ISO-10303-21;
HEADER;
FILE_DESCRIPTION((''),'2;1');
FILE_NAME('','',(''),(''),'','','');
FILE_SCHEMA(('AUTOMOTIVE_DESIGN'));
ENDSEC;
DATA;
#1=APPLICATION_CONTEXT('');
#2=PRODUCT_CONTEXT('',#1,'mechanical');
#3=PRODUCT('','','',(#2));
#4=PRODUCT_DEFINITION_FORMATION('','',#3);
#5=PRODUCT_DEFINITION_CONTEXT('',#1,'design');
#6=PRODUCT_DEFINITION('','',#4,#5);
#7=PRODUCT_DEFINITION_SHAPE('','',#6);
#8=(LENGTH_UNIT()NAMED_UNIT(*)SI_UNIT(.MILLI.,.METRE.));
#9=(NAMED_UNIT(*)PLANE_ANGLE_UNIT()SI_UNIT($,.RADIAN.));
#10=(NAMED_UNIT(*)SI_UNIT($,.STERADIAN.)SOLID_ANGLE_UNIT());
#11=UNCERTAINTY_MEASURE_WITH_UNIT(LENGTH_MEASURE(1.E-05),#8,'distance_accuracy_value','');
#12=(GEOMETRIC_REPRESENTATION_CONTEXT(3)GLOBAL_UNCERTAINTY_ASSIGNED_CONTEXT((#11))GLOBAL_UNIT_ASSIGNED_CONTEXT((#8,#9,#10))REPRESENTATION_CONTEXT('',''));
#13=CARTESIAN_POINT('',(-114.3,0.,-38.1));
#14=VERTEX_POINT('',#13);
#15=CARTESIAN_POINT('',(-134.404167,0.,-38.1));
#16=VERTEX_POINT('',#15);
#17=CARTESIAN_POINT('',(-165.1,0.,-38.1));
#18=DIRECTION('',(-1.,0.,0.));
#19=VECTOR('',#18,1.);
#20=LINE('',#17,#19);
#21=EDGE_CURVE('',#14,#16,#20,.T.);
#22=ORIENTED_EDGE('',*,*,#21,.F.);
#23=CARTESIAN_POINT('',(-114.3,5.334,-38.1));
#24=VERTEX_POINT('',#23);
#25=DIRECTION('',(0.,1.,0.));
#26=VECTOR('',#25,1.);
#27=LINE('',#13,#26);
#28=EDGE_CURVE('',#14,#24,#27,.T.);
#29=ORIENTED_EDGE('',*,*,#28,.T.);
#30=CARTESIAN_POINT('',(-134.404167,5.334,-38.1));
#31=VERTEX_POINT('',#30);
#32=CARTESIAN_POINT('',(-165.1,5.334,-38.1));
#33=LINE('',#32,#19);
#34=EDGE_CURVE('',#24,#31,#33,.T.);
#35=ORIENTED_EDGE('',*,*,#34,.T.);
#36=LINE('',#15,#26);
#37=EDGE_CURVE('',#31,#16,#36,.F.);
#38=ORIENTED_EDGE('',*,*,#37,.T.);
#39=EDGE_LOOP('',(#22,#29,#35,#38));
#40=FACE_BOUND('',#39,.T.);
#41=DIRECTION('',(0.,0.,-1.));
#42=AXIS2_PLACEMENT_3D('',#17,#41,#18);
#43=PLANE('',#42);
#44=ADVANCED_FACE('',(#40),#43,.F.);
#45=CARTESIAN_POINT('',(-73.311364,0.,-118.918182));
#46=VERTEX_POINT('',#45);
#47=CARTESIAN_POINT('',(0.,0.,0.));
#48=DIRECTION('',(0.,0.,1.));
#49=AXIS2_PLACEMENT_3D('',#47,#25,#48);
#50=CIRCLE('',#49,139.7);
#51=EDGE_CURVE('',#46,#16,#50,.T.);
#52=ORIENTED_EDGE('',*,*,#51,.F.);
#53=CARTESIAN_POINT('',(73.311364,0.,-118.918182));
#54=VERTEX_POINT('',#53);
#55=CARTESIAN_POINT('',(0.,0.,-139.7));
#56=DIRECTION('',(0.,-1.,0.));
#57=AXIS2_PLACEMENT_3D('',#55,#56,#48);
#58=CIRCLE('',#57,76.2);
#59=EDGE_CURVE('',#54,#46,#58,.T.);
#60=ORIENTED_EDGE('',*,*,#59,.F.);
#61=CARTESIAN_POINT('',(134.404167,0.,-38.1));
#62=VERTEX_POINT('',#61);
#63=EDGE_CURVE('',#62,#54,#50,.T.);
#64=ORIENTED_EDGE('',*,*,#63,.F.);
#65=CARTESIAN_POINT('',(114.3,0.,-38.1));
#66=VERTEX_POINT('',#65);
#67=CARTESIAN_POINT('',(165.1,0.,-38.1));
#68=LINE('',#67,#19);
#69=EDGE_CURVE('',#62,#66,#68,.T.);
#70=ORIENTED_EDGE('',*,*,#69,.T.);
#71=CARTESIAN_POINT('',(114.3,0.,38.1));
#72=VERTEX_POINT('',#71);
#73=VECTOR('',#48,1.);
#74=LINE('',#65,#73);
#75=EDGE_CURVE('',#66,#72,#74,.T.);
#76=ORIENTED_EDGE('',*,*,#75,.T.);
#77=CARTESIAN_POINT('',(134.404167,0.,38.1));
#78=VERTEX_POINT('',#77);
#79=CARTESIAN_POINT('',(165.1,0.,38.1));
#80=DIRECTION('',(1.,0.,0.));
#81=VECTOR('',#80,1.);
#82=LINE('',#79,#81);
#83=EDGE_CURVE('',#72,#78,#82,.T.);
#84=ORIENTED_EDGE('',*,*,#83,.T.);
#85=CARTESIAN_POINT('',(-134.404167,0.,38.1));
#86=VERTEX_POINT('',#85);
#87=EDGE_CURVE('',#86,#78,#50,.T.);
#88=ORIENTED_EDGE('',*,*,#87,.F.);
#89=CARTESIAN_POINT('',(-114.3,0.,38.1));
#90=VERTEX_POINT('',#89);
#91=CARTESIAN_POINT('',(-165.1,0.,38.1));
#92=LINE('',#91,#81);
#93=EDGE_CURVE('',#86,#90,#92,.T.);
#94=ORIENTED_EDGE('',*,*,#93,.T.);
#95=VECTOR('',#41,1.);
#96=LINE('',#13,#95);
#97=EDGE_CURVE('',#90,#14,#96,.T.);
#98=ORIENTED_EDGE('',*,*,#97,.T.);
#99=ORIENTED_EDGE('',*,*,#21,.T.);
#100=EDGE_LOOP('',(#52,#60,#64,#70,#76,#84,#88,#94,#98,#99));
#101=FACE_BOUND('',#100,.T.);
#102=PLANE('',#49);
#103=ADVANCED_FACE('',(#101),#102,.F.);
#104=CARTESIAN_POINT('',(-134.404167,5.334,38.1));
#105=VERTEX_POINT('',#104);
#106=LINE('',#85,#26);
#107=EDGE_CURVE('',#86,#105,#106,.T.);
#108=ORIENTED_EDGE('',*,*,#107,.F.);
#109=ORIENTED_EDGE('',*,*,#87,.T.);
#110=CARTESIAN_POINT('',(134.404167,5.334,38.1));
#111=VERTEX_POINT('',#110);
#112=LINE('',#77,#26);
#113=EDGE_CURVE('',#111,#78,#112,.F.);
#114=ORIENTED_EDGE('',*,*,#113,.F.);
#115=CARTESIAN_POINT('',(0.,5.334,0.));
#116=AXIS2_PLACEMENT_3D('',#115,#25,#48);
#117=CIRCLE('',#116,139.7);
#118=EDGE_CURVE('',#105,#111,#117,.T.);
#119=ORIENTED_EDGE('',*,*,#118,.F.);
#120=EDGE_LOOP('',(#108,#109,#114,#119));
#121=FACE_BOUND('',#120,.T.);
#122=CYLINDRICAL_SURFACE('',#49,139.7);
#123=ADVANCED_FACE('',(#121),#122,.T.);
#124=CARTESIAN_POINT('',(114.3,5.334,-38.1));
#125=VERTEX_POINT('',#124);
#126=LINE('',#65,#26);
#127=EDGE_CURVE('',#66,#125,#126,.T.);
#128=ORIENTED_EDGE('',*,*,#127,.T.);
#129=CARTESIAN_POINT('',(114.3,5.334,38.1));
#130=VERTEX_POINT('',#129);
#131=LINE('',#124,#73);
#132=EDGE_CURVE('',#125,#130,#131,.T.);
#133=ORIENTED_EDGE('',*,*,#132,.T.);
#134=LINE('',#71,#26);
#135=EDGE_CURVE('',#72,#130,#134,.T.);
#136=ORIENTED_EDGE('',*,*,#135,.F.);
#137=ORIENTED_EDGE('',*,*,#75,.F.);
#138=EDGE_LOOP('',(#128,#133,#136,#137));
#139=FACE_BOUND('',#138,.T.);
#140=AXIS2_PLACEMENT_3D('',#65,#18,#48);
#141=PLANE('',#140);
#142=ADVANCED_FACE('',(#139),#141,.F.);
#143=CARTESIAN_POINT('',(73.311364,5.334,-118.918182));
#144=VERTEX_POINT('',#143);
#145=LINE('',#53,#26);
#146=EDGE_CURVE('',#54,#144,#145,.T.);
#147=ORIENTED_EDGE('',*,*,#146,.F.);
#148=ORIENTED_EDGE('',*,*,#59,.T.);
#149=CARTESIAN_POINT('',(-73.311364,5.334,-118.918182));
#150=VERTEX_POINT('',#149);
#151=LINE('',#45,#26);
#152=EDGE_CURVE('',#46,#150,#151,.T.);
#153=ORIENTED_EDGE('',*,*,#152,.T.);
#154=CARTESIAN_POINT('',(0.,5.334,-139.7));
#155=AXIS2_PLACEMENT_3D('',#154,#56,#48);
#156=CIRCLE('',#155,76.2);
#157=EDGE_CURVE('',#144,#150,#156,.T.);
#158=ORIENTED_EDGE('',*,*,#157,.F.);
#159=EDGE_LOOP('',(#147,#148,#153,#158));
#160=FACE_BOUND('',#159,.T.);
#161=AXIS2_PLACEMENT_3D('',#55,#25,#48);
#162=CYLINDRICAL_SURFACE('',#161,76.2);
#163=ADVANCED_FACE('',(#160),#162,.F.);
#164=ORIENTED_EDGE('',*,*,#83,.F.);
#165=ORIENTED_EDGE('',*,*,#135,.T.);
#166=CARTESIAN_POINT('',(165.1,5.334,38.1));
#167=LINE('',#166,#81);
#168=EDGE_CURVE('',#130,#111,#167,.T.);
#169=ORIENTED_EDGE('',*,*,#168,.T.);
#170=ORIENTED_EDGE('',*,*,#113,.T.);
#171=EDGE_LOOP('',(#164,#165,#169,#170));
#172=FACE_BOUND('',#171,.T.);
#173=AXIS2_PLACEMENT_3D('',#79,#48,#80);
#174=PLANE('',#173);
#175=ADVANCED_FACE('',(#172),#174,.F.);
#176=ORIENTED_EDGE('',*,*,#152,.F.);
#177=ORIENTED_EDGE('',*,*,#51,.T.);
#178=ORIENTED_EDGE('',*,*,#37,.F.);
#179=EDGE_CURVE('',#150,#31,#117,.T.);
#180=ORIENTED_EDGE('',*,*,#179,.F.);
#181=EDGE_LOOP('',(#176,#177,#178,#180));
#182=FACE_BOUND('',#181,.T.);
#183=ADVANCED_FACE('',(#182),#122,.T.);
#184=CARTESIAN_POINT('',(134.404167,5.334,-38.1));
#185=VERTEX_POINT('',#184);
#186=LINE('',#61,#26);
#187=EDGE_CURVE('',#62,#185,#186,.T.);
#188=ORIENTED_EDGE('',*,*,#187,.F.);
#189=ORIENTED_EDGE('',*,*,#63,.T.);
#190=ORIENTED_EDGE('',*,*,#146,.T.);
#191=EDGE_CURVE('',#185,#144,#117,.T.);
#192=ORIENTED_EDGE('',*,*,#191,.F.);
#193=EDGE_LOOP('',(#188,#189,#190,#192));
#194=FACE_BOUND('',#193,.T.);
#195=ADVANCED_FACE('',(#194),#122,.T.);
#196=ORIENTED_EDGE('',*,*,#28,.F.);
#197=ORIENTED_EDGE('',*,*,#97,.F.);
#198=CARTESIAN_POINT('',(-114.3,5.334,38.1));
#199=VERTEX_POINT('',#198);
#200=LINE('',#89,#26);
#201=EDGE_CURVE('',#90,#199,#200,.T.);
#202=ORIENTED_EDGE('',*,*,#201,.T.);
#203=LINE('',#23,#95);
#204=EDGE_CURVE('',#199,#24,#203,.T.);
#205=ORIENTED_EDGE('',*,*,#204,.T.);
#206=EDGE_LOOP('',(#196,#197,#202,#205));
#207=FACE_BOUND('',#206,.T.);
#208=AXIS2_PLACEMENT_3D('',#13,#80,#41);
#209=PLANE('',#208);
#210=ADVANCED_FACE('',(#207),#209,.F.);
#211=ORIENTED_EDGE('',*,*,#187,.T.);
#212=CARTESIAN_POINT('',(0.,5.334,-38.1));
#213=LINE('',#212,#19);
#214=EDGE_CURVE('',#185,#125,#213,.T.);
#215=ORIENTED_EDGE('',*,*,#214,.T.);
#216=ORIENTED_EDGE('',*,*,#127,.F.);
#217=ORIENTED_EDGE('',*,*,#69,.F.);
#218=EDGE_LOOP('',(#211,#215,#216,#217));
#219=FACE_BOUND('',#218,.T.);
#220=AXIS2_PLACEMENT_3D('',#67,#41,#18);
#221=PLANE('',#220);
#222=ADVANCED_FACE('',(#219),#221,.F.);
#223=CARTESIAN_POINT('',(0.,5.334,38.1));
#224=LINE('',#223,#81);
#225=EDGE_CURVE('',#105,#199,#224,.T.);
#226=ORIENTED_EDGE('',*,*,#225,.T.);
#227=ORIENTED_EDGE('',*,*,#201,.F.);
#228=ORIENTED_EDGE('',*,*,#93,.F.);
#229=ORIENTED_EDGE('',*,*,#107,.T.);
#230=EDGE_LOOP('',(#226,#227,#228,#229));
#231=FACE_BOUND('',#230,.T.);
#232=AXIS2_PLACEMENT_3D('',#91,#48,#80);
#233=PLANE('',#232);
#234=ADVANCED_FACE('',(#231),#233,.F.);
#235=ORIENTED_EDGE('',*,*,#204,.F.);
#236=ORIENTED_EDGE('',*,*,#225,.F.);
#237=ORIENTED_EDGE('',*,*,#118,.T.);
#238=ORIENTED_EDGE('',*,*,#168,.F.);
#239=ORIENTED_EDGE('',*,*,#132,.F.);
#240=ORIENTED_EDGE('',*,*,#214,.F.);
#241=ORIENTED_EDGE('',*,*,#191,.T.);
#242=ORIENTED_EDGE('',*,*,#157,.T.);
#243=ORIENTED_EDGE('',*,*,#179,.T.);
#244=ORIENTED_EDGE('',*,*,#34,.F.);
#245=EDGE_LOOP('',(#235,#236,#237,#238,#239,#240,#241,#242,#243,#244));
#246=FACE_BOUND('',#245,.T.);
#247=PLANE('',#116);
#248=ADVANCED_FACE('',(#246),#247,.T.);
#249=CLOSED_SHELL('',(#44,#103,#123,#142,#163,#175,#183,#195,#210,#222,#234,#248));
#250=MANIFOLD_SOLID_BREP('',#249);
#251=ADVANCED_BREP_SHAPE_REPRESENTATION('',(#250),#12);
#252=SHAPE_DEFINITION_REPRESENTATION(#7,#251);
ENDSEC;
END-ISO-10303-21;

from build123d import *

# Parameters (mm, degrees)
SKETCH2_W           = 279.4
SKETCH2_H           = 279.4
BOSS_EXTRUDE1_DEPTH = 5.334
SKETCH3_OUTSIDE_W   = 360.434
SKETCH3_OUTSIDE_H   = 360.434
CUT_EXTRUDE1_DEPTH  = 198.637626873
SKETCH4_W           = 50.8
SKETCH4_H           = 76.2
CUT_EXTRUDE2_DEPTH  = 198.637626873


with BuildPart() as part:
    # Sketch2 → Boss-Extrude1 (new body)
    with BuildSketch(Plane(origin=(0, 0, 0), x_dir=(1, 0, 0), z_dir=(0, 1, 0))):
        Rectangle(SKETCH2_W, SKETCH2_H)
    extrude(amount=BOSS_EXTRUDE1_DEPTH)

    # Sketch3 outside → Cut-Extrude1 (cut, through all)
    with BuildSketch(Plane(origin=(0, 5.334, 0), x_dir=(1, 0, 0), z_dir=(0, 1, 0))):
        Rectangle(SKETCH3_OUTSIDE_W, SKETCH3_OUTSIDE_H)
        with BuildLine():
            ThreePointArc((-73.311363601, 118.918181818), (0, -139.7), (73.311363601, 118.918181818))
            ThreePointArc((73.311363601, 118.918181818), (0, 63.5), (-73.311363601, 118.918181818))
        make_face(mode=Mode.SUBTRACT)
    extrude(amount=-CUT_EXTRUDE1_DEPTH, mode=Mode.SUBTRACT)

    # Sketch4 → Cut-Extrude2 (cut, through all)
    with BuildSketch(Plane(origin=(0, 5.334, 0), x_dir=(1, 0, 0), z_dir=(0, 1, 0))):
        with Locations((-139.7, 0)):
            Rectangle(SKETCH4_W, SKETCH4_H)
        with Locations((139.7, 0)):
            Rectangle(SKETCH4_W, SKETCH4_H)
    extrude(amount=-CUT_EXTRUDE2_DEPTH, mode=Mode.SUBTRACT)


solid = part.part
